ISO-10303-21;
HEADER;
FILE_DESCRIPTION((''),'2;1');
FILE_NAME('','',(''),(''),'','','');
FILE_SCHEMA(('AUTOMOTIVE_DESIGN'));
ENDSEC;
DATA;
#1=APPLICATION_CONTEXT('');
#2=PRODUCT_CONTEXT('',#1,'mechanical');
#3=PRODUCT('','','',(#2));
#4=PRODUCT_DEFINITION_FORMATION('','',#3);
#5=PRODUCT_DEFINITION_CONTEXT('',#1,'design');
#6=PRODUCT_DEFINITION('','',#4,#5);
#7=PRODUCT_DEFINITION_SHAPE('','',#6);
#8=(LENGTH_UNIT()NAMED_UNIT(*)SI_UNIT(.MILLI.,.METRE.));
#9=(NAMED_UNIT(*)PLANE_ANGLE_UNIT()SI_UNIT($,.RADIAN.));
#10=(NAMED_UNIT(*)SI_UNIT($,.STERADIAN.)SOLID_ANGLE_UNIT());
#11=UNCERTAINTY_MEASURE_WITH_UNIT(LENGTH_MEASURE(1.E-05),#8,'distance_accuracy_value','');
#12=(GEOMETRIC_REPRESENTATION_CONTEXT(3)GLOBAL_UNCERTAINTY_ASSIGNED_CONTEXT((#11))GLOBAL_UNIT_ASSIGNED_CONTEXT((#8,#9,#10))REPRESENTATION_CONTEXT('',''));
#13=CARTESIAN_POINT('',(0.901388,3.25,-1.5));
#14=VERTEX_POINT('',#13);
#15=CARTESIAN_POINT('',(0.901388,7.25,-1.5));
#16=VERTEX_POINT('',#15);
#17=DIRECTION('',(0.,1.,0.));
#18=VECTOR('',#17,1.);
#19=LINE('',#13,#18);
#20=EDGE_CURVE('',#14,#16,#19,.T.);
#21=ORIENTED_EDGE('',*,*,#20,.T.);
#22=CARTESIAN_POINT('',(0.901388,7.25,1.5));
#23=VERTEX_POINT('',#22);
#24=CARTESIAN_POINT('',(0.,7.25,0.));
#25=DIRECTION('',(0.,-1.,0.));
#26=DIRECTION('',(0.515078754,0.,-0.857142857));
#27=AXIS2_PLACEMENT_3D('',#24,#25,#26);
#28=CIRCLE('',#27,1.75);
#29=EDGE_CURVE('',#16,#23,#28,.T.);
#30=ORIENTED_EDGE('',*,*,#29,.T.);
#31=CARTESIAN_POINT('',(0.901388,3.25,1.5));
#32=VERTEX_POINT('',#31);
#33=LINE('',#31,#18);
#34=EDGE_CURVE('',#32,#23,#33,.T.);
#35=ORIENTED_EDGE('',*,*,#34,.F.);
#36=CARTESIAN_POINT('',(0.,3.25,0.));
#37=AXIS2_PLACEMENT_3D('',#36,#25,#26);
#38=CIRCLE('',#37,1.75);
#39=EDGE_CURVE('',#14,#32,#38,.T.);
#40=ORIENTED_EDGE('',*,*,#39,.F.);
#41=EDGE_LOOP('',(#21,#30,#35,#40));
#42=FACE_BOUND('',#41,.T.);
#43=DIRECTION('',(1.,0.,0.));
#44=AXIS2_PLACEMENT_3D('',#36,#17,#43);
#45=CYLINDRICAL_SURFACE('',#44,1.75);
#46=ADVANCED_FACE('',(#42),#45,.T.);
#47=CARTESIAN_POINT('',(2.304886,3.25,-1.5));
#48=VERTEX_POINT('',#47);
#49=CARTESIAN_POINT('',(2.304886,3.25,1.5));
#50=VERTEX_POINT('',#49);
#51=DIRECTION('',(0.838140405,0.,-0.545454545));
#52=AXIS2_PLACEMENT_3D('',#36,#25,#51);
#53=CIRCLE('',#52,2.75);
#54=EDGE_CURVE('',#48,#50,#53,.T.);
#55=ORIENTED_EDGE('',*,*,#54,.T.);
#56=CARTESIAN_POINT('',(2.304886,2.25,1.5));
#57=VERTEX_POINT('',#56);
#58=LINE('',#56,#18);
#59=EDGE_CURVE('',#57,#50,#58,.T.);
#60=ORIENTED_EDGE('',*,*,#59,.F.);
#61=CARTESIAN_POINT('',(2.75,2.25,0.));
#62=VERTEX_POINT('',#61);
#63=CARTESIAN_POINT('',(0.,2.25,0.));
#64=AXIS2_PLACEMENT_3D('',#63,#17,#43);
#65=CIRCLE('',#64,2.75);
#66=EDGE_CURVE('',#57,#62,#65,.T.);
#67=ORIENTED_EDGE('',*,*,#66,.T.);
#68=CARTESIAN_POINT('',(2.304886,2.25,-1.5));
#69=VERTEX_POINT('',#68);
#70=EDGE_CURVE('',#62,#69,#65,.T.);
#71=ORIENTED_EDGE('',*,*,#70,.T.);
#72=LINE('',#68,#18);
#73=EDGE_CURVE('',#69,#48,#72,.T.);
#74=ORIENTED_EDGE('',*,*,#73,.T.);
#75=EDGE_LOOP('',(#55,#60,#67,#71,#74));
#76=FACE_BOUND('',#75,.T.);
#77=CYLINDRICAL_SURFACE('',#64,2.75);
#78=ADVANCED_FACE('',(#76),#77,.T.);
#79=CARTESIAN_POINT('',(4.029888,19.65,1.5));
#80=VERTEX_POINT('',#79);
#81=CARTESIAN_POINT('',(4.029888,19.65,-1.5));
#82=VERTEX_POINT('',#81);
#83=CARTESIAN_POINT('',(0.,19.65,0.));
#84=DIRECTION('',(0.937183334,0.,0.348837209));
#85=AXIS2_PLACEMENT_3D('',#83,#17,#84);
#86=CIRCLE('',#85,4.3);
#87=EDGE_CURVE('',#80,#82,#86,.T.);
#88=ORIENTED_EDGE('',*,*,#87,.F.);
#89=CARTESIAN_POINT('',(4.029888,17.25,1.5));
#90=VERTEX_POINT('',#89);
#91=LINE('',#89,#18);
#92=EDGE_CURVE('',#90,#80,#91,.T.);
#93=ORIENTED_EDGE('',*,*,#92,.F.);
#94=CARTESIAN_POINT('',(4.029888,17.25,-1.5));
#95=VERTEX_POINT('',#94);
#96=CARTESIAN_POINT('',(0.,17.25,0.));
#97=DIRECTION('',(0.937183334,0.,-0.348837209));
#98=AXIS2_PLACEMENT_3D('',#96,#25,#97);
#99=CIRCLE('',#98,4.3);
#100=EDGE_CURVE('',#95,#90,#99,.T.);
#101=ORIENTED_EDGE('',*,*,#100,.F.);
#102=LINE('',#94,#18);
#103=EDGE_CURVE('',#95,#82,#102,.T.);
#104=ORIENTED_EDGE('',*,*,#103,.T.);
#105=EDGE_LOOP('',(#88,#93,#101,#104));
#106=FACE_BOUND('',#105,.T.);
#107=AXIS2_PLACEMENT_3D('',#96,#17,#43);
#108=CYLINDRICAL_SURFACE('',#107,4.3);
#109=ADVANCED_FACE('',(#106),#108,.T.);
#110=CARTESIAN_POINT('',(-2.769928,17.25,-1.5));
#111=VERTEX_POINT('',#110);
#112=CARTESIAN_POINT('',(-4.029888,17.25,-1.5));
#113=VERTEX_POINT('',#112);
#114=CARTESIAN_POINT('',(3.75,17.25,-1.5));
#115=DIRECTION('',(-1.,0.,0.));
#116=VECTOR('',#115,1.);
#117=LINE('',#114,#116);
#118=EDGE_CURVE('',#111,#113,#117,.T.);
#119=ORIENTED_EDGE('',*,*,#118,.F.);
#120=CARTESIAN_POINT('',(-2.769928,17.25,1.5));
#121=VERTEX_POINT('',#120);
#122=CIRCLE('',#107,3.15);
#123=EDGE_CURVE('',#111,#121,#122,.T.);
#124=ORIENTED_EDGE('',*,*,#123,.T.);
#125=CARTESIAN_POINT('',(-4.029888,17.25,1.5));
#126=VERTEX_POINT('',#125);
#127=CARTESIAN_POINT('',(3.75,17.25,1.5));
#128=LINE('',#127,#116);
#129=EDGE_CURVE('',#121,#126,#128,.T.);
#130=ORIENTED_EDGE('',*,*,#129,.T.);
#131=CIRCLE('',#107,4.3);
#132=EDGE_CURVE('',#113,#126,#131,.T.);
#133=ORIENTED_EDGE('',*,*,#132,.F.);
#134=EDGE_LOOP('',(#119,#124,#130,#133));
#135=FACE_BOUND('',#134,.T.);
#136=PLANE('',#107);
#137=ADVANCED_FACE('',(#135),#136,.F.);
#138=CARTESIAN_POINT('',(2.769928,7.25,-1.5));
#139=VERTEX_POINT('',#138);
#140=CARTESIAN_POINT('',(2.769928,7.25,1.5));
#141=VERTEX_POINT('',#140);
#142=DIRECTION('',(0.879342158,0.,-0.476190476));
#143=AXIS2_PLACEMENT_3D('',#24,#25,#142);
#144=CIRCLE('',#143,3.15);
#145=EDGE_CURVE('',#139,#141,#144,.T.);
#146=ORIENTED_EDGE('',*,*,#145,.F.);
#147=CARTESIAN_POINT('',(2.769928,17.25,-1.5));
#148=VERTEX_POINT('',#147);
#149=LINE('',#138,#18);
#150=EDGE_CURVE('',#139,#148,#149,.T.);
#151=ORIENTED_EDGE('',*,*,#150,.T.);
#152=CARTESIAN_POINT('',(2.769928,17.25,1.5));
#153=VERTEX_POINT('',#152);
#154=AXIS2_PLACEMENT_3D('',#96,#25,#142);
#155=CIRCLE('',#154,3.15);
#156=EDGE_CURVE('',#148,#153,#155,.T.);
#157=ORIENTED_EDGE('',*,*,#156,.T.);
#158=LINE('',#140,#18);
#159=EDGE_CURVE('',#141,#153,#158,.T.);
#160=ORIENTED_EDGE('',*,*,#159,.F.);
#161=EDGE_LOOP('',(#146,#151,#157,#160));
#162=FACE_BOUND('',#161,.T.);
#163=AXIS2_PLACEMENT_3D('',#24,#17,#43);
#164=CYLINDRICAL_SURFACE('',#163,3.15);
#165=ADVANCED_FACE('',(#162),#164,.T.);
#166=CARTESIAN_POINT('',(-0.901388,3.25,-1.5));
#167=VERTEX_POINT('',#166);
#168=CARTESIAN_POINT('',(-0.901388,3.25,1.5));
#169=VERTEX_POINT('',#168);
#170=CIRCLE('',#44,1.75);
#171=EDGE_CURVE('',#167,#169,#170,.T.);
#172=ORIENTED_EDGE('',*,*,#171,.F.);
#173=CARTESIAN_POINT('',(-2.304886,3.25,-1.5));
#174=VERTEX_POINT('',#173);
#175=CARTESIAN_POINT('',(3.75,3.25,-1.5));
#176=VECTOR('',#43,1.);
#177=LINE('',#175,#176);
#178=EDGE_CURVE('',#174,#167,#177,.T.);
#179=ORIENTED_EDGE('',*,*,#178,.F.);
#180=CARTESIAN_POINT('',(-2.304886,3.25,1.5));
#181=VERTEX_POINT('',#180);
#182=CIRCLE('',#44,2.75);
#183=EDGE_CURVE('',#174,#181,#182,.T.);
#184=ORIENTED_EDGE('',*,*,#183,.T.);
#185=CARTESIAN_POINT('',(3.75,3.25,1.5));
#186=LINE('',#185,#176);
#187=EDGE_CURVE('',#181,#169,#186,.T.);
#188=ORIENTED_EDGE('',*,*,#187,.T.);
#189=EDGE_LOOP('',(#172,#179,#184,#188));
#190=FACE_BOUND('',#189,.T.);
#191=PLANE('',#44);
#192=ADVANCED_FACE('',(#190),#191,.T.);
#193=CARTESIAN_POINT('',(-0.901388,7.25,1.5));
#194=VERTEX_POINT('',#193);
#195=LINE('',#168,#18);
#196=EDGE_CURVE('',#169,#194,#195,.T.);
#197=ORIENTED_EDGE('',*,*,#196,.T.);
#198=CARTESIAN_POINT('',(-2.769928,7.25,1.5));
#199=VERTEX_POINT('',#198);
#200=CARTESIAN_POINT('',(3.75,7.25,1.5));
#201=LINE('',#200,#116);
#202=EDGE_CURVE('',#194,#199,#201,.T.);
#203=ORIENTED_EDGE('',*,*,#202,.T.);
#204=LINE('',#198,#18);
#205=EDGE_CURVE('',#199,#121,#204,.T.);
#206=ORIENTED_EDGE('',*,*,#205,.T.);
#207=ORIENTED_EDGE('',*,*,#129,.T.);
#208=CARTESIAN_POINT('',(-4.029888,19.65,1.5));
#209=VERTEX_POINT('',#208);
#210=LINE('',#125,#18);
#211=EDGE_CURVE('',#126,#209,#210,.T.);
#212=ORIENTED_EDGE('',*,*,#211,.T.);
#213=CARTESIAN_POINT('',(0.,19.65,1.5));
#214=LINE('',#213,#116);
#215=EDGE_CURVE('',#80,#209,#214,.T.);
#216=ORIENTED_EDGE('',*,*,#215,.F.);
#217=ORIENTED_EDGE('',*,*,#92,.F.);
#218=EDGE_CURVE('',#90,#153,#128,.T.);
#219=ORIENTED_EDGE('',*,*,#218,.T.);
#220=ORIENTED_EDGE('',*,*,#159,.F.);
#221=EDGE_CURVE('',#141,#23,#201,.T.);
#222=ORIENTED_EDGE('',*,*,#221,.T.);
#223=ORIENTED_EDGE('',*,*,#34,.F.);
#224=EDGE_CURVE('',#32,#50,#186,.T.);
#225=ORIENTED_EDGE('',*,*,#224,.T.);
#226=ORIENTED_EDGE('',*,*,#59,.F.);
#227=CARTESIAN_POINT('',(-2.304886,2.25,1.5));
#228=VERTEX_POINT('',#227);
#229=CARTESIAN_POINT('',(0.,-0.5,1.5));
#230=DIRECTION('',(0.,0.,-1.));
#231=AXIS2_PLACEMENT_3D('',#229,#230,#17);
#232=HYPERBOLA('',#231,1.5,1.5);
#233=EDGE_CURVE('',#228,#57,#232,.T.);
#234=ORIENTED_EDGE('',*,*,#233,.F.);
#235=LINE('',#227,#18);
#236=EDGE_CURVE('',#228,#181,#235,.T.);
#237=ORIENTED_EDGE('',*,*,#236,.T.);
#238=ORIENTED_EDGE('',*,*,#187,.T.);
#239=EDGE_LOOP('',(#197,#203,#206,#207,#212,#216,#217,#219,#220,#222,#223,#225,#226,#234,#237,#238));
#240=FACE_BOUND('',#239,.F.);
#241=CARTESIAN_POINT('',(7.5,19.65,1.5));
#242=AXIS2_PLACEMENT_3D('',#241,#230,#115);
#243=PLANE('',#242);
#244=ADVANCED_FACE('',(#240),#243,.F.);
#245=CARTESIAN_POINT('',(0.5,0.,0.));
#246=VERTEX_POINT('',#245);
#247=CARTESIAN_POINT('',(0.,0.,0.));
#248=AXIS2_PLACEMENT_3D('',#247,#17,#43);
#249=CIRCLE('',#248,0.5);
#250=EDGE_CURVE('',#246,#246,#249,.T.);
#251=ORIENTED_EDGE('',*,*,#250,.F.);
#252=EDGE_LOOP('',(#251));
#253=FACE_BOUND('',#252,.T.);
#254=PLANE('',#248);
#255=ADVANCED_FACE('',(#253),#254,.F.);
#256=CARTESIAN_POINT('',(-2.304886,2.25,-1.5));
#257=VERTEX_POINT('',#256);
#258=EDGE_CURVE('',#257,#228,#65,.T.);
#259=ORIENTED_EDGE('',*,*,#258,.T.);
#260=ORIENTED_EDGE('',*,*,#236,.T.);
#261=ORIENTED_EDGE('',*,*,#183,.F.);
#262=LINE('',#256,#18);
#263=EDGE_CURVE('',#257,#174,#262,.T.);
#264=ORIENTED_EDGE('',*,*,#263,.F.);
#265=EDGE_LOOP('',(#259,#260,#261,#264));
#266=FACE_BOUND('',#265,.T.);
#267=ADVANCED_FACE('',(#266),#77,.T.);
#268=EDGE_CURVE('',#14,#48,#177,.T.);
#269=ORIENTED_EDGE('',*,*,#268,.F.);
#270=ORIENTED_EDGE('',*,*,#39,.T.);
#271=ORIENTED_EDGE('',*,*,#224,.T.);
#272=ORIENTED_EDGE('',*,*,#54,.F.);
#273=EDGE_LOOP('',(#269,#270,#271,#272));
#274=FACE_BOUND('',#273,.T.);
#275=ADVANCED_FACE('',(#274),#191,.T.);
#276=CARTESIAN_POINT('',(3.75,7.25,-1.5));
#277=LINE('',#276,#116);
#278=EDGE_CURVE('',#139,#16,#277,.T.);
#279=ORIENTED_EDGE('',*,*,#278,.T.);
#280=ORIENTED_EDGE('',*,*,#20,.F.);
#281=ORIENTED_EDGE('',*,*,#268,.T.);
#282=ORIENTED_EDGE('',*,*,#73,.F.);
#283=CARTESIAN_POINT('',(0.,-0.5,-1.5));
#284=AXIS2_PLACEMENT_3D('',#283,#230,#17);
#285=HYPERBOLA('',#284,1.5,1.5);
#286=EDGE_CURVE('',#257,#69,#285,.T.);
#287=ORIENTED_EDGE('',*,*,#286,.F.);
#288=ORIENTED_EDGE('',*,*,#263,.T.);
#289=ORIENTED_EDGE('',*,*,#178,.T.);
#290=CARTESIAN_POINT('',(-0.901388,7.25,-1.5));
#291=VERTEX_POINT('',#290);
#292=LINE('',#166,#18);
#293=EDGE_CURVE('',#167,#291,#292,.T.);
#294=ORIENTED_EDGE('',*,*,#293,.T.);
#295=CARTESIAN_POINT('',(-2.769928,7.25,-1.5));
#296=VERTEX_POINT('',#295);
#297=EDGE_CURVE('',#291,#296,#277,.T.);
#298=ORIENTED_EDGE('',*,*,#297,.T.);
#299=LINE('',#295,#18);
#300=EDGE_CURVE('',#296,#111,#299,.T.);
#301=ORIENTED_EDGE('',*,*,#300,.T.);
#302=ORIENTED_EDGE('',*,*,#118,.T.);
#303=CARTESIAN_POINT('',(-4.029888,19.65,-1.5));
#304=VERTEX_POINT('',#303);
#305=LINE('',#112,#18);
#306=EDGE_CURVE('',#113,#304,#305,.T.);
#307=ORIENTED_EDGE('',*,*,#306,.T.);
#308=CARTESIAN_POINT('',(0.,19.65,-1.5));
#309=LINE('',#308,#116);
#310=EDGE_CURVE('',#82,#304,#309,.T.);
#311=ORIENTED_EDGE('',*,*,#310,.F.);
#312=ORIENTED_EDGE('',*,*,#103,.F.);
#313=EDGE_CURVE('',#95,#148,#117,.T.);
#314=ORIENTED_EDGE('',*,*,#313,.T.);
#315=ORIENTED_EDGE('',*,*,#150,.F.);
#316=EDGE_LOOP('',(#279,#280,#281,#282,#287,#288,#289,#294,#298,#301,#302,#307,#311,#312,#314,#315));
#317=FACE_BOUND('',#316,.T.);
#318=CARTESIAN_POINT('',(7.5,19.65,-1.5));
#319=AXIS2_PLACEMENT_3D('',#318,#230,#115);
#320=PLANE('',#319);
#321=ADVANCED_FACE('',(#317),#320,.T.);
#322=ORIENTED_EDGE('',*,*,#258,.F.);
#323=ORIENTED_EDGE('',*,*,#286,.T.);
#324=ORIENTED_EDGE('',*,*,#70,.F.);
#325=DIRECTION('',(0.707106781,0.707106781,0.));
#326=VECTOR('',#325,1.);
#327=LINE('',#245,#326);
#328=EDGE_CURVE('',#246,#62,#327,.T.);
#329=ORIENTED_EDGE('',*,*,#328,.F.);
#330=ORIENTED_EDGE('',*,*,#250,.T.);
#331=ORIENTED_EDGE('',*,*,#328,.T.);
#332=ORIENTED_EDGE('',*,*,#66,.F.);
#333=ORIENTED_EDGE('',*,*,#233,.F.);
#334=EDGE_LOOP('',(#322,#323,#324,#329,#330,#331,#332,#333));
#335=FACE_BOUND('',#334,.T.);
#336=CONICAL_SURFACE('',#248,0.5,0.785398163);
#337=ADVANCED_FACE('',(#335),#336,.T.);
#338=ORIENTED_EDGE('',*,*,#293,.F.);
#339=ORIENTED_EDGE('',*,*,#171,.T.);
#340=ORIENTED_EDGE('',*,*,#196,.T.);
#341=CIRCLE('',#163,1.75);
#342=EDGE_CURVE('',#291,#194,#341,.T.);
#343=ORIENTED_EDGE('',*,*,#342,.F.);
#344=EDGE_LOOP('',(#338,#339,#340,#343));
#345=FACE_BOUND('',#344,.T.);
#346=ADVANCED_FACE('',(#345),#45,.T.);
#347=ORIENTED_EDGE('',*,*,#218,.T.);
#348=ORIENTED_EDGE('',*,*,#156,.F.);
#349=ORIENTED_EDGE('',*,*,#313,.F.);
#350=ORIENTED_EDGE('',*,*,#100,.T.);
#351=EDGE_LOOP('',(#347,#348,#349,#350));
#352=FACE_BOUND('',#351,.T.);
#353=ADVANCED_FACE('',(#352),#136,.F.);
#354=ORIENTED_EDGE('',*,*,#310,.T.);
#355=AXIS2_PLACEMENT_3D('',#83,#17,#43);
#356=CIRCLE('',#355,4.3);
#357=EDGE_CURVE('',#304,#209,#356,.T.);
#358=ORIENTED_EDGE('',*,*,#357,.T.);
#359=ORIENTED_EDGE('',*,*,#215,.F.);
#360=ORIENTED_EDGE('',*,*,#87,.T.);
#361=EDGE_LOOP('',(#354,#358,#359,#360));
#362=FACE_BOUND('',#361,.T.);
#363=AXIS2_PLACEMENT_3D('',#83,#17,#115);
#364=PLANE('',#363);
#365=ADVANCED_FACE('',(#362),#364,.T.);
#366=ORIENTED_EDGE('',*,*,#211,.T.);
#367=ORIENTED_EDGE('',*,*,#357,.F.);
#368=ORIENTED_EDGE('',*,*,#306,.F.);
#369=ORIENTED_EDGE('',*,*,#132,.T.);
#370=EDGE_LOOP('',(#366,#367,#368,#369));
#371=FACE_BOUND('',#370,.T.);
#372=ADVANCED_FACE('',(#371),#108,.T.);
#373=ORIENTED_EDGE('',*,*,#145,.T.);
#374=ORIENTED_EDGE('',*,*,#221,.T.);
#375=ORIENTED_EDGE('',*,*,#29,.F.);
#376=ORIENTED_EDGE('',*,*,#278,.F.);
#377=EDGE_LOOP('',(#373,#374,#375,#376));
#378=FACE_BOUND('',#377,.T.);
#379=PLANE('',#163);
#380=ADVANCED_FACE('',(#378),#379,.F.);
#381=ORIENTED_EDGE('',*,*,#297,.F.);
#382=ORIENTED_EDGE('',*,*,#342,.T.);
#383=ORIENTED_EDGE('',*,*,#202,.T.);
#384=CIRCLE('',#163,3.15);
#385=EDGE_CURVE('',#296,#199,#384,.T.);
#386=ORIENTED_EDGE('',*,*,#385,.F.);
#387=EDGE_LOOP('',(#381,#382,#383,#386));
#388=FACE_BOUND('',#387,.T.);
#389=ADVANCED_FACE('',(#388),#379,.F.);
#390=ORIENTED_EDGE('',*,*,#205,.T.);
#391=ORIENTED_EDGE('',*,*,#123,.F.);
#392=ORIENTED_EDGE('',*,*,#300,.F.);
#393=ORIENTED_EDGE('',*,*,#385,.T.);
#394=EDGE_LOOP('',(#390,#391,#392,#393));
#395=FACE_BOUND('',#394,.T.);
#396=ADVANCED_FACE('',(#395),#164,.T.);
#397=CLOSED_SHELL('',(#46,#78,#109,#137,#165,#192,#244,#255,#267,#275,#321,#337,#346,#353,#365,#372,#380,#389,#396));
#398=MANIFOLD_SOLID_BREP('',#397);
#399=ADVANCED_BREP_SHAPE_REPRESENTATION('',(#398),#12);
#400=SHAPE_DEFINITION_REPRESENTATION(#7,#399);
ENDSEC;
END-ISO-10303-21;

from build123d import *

# Parameters (mm, degrees)
F2_W     = 15
F2_H     = 3
F3_DEPTH = 25


with BuildPart() as f1:
    # F0 (on Top) → F1 (revolve)
    with BuildSketch(Plane.XY):
        Polygon((0, 19.65), (0, 0), (0.5, 0), (2.75, 2.25), (2.75, 3.25), (1.75, 3.25), (1.75, 7.25), (3.15, 7.25), (3.15, 17.25), (4.3, 17.25), (4.3, 19.65), align=None)
    revolve(axis=Axis((0, 9.825, 0), (0, 1, 0)))


with BuildPart() as f3:
    # F2 (on face) → F3 (new body)
    with BuildSketch(Plane(origin=(0, 19.65, 0), x_dir=(-1, 0, 0), z_dir=(0, 1, 0))):
        Rectangle(F2_W, F2_H)
    extrude(amount=-F3_DEPTH)

    # F4: intersect F1
    add(f1.part, mode=Mode.INTERSECT)


solid = f3.part
